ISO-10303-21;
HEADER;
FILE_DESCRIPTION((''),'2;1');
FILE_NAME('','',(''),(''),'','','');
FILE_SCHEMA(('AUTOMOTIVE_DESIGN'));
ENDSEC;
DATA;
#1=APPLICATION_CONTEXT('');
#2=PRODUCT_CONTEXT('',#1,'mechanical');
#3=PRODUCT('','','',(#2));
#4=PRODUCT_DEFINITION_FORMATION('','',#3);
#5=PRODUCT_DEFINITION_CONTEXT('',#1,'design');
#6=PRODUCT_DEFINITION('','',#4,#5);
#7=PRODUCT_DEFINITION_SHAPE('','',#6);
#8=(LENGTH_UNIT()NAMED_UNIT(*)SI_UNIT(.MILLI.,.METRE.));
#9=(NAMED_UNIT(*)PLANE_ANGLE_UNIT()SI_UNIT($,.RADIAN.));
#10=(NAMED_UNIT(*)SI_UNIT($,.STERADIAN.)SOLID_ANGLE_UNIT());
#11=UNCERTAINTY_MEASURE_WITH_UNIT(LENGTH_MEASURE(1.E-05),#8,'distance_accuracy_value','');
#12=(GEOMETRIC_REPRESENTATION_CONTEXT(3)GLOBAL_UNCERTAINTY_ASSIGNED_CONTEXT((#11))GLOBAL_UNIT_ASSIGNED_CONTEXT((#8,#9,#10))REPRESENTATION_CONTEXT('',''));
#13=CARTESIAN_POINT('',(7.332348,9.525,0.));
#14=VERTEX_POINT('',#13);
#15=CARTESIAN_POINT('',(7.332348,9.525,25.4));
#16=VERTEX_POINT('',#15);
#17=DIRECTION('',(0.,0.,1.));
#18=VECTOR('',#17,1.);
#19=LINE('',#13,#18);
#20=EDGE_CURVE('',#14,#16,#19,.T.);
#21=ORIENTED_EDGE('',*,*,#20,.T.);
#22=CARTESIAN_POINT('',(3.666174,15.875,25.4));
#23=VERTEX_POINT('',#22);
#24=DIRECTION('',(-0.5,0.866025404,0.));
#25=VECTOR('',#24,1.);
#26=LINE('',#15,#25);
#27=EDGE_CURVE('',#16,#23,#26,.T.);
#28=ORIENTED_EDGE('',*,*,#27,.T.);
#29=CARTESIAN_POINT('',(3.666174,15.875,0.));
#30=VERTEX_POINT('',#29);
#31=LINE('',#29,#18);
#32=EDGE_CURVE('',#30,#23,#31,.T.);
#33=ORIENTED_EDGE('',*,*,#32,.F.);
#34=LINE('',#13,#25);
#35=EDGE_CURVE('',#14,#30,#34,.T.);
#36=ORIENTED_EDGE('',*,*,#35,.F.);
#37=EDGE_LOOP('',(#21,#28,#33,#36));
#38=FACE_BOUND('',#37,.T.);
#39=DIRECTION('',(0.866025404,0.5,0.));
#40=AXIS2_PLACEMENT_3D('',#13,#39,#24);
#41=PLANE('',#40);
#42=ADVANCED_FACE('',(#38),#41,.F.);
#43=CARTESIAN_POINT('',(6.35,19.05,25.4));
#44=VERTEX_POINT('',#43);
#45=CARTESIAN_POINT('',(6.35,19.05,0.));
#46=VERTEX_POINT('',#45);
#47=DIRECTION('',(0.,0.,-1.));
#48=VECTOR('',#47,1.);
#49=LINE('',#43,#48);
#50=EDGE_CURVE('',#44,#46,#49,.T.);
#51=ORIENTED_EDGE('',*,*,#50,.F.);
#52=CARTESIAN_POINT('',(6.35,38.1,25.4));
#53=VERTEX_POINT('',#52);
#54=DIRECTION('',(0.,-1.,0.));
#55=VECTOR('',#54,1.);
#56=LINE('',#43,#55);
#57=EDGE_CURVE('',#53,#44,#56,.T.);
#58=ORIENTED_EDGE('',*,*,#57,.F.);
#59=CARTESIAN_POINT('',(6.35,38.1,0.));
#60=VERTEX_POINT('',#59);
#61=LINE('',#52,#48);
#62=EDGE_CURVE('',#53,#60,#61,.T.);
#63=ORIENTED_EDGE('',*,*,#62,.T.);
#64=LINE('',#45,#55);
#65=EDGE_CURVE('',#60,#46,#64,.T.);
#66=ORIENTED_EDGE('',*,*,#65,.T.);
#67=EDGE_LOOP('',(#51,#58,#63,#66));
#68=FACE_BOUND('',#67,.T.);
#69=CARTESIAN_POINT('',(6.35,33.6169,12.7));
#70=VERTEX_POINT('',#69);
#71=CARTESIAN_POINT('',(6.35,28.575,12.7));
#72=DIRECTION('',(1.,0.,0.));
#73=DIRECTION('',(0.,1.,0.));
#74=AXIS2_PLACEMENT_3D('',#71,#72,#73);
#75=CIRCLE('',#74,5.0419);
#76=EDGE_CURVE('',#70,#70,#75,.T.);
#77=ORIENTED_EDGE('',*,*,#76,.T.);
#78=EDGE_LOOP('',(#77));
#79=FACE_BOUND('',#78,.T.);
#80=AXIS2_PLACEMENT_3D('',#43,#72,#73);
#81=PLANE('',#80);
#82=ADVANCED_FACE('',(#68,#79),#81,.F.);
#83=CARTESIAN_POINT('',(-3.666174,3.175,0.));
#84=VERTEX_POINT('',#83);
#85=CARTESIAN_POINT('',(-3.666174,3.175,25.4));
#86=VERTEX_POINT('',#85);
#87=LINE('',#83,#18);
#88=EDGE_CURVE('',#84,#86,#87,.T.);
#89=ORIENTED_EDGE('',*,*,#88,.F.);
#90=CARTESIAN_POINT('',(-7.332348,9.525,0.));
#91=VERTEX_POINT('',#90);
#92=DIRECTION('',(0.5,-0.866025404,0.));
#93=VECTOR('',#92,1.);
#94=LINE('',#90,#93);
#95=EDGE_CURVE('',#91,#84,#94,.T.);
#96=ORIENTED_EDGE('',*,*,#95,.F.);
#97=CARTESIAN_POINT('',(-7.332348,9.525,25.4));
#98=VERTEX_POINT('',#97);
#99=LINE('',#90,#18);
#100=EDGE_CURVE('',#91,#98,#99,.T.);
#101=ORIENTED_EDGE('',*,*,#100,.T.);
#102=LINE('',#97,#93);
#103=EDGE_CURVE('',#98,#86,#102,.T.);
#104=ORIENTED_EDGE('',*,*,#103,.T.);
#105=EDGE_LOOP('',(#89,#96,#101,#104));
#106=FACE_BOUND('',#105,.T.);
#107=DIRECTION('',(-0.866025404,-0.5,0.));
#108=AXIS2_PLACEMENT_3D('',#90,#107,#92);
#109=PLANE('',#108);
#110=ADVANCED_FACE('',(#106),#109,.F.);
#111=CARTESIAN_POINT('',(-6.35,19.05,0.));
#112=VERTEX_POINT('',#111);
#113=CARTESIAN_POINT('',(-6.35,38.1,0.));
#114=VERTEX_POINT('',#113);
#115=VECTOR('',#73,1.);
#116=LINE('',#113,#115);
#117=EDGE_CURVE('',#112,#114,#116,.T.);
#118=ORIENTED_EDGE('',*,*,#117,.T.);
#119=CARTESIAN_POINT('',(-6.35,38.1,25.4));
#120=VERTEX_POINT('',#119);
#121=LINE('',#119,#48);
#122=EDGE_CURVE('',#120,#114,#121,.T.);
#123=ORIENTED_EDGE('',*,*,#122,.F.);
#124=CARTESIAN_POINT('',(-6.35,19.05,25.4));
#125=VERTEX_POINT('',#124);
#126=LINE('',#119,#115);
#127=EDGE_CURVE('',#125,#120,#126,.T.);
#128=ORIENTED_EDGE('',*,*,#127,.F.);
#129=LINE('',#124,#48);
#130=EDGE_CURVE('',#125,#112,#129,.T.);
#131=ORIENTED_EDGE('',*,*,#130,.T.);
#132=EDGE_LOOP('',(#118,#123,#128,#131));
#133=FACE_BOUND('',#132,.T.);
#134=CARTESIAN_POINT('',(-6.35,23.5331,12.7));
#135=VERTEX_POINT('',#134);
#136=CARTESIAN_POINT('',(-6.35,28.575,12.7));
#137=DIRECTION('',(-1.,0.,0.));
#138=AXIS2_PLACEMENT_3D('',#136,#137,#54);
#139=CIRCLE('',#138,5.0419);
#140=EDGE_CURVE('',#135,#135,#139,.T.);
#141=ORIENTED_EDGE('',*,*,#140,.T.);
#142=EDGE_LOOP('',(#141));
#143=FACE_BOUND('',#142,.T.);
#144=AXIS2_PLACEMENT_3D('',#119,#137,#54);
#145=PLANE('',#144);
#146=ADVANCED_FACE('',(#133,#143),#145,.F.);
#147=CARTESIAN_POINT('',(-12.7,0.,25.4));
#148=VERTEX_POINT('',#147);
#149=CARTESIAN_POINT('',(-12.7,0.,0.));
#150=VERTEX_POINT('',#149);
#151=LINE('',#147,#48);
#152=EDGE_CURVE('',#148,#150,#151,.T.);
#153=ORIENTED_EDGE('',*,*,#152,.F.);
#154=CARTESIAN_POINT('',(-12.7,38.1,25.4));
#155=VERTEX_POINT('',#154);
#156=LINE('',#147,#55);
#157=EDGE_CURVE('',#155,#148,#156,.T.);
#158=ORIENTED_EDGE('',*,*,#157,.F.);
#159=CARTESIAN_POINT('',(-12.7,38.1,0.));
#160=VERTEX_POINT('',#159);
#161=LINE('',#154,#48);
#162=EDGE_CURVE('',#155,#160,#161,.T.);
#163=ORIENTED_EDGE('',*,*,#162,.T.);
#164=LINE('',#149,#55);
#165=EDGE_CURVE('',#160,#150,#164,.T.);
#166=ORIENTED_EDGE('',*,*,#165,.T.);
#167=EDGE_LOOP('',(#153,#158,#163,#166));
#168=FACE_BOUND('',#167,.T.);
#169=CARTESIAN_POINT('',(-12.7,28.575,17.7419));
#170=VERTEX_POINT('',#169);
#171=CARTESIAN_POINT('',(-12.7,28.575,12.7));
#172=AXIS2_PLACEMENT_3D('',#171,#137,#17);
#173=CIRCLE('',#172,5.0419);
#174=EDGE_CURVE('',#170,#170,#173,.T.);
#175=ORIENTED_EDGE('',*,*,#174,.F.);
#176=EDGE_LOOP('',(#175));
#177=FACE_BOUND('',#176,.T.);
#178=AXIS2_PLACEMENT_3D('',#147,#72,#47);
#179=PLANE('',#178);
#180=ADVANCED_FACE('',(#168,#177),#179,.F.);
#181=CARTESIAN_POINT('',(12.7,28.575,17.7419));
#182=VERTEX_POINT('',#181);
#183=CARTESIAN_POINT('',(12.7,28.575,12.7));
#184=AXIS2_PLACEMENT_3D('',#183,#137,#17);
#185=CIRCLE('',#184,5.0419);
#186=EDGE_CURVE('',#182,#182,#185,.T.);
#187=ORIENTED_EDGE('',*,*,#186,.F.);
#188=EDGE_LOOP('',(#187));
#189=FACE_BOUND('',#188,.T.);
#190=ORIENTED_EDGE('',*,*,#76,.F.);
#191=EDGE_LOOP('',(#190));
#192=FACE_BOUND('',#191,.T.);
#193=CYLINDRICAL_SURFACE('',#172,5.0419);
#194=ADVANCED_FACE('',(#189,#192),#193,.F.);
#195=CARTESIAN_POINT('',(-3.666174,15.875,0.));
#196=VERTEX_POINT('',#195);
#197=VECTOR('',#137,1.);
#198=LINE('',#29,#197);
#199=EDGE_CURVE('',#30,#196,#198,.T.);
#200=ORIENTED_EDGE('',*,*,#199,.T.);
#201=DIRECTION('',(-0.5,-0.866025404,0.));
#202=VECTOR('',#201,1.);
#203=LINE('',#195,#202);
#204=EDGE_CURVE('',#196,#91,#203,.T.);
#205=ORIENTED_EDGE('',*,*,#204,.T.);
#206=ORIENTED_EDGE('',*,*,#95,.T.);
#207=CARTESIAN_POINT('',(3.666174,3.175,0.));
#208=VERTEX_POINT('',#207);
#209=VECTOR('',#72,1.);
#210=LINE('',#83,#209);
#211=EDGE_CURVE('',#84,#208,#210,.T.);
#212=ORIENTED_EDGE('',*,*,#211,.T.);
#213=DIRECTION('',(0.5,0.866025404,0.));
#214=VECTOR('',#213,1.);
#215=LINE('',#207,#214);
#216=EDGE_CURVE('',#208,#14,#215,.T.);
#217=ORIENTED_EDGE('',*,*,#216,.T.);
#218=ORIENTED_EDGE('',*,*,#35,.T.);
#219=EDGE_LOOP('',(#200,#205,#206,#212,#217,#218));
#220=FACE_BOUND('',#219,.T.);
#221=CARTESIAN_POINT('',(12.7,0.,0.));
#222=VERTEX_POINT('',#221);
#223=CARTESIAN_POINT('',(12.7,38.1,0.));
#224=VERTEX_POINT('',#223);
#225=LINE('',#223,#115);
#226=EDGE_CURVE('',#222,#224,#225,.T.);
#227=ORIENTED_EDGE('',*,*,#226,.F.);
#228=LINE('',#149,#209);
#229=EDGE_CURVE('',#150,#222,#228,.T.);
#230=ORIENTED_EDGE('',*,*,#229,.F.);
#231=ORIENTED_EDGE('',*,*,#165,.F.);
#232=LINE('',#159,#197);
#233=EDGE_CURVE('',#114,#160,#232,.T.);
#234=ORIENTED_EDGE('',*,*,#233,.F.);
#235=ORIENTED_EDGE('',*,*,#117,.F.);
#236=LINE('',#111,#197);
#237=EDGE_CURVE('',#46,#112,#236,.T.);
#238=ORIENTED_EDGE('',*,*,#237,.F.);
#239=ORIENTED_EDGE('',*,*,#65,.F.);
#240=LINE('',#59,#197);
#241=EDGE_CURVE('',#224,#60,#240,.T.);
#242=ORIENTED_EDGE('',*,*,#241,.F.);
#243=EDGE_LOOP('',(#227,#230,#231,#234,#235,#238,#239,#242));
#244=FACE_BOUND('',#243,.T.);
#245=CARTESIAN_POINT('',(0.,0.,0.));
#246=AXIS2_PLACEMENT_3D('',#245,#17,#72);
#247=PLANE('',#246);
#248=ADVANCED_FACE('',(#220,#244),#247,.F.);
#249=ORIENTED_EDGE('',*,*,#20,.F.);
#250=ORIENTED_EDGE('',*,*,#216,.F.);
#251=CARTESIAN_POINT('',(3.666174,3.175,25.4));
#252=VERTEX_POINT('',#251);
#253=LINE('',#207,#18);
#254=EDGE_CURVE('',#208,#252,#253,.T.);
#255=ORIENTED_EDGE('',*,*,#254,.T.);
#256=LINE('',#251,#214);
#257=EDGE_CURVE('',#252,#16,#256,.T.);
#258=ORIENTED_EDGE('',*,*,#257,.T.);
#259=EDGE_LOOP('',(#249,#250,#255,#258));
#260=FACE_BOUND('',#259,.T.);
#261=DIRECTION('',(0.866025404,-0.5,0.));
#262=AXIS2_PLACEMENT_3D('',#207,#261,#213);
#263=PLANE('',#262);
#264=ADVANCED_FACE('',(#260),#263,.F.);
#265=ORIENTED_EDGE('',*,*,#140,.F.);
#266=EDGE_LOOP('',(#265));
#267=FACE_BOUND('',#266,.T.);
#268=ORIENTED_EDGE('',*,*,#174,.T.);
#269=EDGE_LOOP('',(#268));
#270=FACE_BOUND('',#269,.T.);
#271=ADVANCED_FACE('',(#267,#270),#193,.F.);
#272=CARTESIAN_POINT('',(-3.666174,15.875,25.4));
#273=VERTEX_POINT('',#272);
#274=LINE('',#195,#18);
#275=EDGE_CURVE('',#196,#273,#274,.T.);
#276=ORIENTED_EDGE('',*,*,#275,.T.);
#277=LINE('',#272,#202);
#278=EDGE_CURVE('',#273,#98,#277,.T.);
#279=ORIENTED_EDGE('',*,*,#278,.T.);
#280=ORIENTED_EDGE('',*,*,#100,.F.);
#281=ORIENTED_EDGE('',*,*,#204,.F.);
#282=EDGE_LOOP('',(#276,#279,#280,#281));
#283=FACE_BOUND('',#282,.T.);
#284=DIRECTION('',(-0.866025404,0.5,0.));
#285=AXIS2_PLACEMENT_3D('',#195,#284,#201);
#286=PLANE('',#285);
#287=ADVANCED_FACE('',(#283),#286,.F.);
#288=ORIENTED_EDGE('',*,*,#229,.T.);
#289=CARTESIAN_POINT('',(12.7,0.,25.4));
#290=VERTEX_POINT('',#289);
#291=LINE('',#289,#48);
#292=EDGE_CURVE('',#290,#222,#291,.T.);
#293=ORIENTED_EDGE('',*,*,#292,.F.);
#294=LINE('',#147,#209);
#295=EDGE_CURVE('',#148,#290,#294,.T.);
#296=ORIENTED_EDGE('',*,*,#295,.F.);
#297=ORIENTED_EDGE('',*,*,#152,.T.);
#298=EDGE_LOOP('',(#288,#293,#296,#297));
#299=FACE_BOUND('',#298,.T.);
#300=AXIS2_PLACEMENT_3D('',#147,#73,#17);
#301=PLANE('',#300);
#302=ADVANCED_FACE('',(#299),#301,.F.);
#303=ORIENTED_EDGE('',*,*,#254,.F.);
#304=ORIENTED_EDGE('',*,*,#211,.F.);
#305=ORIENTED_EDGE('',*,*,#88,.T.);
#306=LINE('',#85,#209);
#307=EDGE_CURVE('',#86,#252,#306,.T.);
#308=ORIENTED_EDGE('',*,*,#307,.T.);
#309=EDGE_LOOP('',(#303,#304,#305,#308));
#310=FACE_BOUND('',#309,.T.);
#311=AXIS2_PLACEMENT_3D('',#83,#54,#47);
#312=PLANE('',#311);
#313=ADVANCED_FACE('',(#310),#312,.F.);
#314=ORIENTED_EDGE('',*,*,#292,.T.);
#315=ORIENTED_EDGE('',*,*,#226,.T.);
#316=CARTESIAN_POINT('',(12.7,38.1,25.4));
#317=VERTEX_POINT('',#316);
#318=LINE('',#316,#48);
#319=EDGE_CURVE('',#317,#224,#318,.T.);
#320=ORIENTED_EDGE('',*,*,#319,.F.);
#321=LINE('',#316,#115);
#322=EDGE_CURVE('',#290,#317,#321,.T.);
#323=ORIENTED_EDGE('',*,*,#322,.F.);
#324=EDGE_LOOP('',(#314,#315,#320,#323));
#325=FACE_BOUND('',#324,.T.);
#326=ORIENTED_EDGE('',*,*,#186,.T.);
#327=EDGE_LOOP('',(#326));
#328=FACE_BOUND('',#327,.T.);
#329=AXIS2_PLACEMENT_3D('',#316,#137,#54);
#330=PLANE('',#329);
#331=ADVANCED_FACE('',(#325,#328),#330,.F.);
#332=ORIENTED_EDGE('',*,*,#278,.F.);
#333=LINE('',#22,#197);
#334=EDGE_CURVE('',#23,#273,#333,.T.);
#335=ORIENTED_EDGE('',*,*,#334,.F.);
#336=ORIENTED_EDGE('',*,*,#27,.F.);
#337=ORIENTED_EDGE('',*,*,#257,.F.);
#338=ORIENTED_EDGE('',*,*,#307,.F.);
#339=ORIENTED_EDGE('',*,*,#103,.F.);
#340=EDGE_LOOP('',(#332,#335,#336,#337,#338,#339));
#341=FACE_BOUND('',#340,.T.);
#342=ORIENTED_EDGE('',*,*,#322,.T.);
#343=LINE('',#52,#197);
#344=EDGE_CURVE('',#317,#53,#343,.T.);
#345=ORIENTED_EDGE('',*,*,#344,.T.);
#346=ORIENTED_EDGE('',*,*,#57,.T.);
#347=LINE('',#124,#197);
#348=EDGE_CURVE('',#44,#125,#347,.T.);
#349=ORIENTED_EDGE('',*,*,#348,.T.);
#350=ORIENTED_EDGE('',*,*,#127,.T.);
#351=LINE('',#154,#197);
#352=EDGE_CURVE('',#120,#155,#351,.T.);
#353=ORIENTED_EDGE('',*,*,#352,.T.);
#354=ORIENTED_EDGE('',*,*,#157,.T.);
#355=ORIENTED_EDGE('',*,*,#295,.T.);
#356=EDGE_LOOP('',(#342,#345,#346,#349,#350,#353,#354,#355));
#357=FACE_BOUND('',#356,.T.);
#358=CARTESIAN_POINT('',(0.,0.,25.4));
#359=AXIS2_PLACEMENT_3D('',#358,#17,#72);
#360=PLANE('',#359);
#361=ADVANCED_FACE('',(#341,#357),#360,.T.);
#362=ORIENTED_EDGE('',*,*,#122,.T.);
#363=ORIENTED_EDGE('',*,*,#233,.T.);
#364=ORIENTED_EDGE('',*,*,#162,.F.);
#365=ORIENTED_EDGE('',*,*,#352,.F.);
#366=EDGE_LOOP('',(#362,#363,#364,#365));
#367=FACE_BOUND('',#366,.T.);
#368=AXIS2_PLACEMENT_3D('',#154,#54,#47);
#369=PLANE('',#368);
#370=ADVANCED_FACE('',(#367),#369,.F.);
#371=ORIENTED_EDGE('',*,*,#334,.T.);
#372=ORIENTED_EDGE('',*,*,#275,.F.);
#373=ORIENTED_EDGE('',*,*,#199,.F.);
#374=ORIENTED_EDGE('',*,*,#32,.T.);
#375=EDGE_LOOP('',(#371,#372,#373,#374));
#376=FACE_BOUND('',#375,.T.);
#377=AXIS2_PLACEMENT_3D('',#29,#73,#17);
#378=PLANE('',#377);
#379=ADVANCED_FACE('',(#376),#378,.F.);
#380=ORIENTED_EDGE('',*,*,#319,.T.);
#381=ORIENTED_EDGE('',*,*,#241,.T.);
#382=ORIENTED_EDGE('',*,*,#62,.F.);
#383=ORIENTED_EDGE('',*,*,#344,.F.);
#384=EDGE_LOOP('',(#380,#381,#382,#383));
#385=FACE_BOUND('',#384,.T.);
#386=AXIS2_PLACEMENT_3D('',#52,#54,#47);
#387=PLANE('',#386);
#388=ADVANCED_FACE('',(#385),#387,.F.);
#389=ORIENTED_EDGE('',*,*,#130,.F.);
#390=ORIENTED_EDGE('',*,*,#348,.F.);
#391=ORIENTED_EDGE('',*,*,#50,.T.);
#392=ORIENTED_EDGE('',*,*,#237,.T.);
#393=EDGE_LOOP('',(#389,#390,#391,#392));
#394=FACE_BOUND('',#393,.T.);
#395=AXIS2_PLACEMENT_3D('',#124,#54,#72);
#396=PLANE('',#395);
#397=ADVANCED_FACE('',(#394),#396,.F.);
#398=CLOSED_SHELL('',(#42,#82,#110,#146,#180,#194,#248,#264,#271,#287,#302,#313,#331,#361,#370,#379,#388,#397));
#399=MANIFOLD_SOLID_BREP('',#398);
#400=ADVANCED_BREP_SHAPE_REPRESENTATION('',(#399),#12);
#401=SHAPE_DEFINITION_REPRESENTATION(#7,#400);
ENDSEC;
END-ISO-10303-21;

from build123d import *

# Parameters (mm, degrees)
BOSS_EXTRUDE1_DEPTH     = 25.4
CUT_EXTRUDE1_DEPTH      = 48.519048812
F_3_8_CLEARANCE_HOLE1_D = 10.0838


with BuildPart() as part:
    # Sketch1 → Boss-Extrude1 (new body)
    with BuildSketch(Plane.XY):
        Polygon((-12.7, 0), (12.7, 0), (12.7, 38.1), (6.35, 38.1), (6.35, 19.05), (-6.35, 19.05), (-6.35, 38.1), (-12.7, 38.1), align=None)
    extrude(amount=BOSS_EXTRUDE1_DEPTH)

    # Sketch2 → Cut-Extrude1 (cut, through all)
    with BuildSketch(Plane.XY.offset(25.4)):
        Polygon((3.666174209, 15.875), (-3.666174209, 15.875), (-7.332348419, 9.525), (-3.666174209, 3.175), (3.666174209, 3.175), (7.332348419, 9.525), align=None)
    extrude(amount=-CUT_EXTRUDE1_DEPTH, mode=Mode.SUBTRACT)

    # 3/8 Clearance Hole1 (through all)
    with Locations(Plane.ZY.offset(12.7)):
        with Locations((12.7, 28.575)):
            Hole(F_3_8_CLEARANCE_HOLE1_D / 2)


solid = part.part
